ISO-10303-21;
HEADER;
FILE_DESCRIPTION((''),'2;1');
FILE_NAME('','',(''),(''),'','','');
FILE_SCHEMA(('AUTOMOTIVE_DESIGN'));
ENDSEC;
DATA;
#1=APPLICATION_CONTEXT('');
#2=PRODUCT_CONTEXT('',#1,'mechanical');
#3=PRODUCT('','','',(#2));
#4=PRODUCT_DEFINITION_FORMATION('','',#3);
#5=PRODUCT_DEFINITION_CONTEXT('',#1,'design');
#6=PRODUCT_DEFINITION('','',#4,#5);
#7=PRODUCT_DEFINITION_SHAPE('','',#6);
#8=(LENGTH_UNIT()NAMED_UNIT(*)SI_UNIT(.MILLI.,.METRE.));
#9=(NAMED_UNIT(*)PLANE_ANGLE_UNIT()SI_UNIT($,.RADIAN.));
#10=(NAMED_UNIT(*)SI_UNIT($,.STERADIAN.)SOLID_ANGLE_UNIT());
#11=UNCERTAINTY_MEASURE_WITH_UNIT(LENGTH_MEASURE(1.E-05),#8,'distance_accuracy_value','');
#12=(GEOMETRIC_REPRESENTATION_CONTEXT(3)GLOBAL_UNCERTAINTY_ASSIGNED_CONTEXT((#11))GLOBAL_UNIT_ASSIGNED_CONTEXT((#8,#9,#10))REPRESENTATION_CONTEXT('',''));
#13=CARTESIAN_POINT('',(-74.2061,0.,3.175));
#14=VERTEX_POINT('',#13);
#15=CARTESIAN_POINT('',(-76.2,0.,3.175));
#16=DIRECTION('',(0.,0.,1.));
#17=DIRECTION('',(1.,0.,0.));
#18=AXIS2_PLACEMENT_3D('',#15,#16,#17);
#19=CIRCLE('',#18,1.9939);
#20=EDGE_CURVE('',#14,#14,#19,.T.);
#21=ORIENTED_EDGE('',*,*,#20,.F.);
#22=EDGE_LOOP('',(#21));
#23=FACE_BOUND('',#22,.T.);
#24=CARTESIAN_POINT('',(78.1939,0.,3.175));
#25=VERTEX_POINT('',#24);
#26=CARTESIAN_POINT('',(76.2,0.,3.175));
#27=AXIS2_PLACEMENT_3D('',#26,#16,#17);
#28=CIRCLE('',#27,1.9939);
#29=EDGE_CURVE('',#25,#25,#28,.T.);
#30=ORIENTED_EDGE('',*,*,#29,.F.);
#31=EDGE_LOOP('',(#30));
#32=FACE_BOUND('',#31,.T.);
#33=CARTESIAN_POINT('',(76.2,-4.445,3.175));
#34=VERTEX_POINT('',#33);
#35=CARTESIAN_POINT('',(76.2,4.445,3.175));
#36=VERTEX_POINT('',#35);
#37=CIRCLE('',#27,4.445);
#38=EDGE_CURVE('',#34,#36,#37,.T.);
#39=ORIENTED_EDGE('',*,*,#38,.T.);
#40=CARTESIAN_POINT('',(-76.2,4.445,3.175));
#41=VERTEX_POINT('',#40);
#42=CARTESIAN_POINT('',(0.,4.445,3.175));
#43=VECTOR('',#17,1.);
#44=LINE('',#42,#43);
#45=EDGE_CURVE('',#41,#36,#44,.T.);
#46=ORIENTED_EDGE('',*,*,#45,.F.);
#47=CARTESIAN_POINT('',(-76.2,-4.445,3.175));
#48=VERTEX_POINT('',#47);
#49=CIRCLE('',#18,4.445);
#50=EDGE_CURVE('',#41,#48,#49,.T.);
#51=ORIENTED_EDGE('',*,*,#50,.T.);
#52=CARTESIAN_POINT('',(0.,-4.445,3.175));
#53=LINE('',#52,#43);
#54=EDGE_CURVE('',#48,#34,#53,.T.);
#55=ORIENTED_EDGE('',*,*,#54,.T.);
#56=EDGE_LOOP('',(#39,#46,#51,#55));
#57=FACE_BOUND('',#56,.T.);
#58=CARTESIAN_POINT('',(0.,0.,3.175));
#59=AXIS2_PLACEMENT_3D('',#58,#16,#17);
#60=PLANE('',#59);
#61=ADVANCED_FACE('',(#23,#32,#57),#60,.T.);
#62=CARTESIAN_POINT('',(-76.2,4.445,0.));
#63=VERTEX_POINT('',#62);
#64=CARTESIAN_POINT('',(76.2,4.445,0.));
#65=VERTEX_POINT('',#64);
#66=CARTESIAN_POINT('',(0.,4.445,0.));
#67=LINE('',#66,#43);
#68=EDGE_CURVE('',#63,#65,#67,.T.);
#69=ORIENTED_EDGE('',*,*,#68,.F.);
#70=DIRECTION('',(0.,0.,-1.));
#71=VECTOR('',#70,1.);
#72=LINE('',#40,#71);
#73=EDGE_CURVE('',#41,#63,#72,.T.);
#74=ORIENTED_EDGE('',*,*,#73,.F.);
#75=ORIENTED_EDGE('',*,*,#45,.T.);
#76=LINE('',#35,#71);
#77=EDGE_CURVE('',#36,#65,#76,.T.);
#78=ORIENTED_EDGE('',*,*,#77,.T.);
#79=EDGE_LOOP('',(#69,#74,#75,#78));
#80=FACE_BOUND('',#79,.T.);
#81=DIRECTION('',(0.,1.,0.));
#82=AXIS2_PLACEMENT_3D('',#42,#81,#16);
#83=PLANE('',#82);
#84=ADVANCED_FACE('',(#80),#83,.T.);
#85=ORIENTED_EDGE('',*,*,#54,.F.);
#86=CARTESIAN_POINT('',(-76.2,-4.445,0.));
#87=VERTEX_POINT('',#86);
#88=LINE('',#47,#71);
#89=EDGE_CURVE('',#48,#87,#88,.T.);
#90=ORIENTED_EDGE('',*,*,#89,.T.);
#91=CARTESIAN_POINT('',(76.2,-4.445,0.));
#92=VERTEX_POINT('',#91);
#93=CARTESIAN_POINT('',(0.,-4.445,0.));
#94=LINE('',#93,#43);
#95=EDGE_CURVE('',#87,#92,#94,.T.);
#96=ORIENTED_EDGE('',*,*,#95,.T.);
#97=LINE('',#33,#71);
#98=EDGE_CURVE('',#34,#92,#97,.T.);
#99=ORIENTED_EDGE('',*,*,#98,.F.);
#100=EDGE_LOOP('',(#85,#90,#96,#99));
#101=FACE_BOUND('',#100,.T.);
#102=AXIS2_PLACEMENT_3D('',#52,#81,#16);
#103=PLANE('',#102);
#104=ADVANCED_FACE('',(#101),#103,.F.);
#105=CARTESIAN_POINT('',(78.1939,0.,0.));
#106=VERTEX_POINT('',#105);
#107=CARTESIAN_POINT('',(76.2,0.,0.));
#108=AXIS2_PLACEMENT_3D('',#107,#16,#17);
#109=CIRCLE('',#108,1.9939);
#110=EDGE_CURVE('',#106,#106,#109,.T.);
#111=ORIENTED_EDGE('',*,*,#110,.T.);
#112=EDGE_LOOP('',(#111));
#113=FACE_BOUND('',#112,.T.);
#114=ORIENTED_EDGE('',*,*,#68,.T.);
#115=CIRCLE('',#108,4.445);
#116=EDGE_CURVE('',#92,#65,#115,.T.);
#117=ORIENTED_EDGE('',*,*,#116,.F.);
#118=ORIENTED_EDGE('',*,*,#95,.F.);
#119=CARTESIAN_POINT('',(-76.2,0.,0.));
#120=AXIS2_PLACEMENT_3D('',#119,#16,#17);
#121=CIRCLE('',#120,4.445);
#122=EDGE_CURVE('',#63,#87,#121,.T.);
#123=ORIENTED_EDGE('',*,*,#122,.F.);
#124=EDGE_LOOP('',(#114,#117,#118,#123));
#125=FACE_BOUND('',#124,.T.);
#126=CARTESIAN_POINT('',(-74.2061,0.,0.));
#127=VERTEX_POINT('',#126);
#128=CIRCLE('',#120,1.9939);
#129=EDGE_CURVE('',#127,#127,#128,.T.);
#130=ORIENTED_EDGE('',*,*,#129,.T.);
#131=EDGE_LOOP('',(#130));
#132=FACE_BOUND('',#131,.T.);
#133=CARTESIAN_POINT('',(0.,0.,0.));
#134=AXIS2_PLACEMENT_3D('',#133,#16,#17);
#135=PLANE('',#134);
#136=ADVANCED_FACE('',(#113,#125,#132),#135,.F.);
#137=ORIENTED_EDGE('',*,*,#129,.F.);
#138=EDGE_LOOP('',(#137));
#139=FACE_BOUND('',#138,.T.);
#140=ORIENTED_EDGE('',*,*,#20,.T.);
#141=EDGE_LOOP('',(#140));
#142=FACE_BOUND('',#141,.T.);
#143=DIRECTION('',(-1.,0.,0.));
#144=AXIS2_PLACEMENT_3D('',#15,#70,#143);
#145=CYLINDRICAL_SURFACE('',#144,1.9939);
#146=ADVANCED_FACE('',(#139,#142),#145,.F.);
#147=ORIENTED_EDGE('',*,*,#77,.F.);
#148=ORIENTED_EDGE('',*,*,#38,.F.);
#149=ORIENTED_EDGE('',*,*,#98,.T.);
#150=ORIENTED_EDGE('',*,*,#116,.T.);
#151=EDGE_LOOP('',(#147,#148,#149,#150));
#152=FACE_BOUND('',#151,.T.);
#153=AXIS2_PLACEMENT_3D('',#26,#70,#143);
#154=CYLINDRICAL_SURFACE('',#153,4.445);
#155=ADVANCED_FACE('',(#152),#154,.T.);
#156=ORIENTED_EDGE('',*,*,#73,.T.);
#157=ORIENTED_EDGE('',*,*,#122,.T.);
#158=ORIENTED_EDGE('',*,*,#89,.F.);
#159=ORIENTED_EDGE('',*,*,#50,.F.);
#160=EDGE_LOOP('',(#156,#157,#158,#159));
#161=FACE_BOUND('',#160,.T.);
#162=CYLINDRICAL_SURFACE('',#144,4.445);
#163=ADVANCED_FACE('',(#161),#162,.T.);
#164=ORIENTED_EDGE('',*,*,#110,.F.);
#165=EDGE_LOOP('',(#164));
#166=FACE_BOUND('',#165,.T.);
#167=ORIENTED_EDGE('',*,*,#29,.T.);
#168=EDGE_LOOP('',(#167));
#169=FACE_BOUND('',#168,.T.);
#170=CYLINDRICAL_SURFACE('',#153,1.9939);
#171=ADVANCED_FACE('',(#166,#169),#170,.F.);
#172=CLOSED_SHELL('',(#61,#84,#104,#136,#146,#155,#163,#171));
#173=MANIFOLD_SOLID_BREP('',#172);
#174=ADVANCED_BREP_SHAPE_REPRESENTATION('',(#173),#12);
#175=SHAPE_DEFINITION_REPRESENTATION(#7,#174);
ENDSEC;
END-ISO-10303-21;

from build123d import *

# Parameters (mm, degrees)
BOSS_EXTRUDE1_DEPTH = 3.175


with BuildPart() as part:
    # Sketch1 → Boss-Extrude1 (new body)
    with BuildSketch(Plane.XY):
        with BuildLine():
            Line((76.2, 4.445), (-76.2, 4.445))
            ThreePointArc((-76.2, 4.445), (-73.056910358, 3.143089642), (-71.755, 0))
            ThreePointArc((-71.755, 0), (-73.056910358, -3.143089642), (-76.2, -4.445))
            Line((-76.2, -4.445), (76.2, -4.445))
            ThreePointArc((76.2, -4.445), (71.755, 0), (76.2, 4.445))
        make_face()
        with BuildLine():
            ThreePointArc((-71.755, 0), (-73.056910358, 3.143089642), (-76.2, 4.445))
            Line((-76.2, 4.445), (-76.2, 1.9939))
            ThreePointArc((-76.2, 1.9939), (-74.790099789, 1.409900211), (-74.2061, 0))
            ThreePointArc((-74.2061, 0), (-74.790099789, -1.409900211), (-76.2, -1.9939))
            Line((-76.2, -1.9939), (-76.2, -4.445))
            ThreePointArc((-76.2, -4.445), (-73.056910358, -3.143089642), (-71.755, 0))
        make_face()
        with BuildLine():
            Line((-76.2, 1.9939), (-76.2, 4.445))
            ThreePointArc((-76.2, 4.445), (-80.645, 0), (-76.2, -4.445))
            Line((-76.2, -4.445), (-76.2, -1.9939))
            ThreePointArc((-76.2, -1.9939), (-78.1939, 0), (-76.2, 1.9939))
        make_face()
        with BuildLine():
            ThreePointArc((80.645, 0), (79.343089642, 3.143089642), (76.2, 4.445))
            Line((76.2, 4.445), (76.2, 1.9939))
            ThreePointArc((76.2, 1.9939), (77.609900211, 1.409900211), (78.1939, 0))
            ThreePointArc((78.1939, 0), (77.609900211, -1.409900211), (76.2, -1.9939))
            Line((76.2, -1.9939), (76.2, -4.445))
            ThreePointArc((76.2, -4.445), (79.343089642, -3.143089642), (80.645, 0))
        make_face()
        with BuildLine():
            Line((76.2, 1.9939), (76.2, 4.445))
            ThreePointArc((76.2, 4.445), (71.755, 0), (76.2, -4.445))
            Line((76.2, -4.445), (76.2, -1.9939))
            ThreePointArc((76.2, -1.9939), (74.2061, 0), (76.2, 1.9939))
        make_face()
    extrude(amount=BOSS_EXTRUDE1_DEPTH)


solid = part.part
